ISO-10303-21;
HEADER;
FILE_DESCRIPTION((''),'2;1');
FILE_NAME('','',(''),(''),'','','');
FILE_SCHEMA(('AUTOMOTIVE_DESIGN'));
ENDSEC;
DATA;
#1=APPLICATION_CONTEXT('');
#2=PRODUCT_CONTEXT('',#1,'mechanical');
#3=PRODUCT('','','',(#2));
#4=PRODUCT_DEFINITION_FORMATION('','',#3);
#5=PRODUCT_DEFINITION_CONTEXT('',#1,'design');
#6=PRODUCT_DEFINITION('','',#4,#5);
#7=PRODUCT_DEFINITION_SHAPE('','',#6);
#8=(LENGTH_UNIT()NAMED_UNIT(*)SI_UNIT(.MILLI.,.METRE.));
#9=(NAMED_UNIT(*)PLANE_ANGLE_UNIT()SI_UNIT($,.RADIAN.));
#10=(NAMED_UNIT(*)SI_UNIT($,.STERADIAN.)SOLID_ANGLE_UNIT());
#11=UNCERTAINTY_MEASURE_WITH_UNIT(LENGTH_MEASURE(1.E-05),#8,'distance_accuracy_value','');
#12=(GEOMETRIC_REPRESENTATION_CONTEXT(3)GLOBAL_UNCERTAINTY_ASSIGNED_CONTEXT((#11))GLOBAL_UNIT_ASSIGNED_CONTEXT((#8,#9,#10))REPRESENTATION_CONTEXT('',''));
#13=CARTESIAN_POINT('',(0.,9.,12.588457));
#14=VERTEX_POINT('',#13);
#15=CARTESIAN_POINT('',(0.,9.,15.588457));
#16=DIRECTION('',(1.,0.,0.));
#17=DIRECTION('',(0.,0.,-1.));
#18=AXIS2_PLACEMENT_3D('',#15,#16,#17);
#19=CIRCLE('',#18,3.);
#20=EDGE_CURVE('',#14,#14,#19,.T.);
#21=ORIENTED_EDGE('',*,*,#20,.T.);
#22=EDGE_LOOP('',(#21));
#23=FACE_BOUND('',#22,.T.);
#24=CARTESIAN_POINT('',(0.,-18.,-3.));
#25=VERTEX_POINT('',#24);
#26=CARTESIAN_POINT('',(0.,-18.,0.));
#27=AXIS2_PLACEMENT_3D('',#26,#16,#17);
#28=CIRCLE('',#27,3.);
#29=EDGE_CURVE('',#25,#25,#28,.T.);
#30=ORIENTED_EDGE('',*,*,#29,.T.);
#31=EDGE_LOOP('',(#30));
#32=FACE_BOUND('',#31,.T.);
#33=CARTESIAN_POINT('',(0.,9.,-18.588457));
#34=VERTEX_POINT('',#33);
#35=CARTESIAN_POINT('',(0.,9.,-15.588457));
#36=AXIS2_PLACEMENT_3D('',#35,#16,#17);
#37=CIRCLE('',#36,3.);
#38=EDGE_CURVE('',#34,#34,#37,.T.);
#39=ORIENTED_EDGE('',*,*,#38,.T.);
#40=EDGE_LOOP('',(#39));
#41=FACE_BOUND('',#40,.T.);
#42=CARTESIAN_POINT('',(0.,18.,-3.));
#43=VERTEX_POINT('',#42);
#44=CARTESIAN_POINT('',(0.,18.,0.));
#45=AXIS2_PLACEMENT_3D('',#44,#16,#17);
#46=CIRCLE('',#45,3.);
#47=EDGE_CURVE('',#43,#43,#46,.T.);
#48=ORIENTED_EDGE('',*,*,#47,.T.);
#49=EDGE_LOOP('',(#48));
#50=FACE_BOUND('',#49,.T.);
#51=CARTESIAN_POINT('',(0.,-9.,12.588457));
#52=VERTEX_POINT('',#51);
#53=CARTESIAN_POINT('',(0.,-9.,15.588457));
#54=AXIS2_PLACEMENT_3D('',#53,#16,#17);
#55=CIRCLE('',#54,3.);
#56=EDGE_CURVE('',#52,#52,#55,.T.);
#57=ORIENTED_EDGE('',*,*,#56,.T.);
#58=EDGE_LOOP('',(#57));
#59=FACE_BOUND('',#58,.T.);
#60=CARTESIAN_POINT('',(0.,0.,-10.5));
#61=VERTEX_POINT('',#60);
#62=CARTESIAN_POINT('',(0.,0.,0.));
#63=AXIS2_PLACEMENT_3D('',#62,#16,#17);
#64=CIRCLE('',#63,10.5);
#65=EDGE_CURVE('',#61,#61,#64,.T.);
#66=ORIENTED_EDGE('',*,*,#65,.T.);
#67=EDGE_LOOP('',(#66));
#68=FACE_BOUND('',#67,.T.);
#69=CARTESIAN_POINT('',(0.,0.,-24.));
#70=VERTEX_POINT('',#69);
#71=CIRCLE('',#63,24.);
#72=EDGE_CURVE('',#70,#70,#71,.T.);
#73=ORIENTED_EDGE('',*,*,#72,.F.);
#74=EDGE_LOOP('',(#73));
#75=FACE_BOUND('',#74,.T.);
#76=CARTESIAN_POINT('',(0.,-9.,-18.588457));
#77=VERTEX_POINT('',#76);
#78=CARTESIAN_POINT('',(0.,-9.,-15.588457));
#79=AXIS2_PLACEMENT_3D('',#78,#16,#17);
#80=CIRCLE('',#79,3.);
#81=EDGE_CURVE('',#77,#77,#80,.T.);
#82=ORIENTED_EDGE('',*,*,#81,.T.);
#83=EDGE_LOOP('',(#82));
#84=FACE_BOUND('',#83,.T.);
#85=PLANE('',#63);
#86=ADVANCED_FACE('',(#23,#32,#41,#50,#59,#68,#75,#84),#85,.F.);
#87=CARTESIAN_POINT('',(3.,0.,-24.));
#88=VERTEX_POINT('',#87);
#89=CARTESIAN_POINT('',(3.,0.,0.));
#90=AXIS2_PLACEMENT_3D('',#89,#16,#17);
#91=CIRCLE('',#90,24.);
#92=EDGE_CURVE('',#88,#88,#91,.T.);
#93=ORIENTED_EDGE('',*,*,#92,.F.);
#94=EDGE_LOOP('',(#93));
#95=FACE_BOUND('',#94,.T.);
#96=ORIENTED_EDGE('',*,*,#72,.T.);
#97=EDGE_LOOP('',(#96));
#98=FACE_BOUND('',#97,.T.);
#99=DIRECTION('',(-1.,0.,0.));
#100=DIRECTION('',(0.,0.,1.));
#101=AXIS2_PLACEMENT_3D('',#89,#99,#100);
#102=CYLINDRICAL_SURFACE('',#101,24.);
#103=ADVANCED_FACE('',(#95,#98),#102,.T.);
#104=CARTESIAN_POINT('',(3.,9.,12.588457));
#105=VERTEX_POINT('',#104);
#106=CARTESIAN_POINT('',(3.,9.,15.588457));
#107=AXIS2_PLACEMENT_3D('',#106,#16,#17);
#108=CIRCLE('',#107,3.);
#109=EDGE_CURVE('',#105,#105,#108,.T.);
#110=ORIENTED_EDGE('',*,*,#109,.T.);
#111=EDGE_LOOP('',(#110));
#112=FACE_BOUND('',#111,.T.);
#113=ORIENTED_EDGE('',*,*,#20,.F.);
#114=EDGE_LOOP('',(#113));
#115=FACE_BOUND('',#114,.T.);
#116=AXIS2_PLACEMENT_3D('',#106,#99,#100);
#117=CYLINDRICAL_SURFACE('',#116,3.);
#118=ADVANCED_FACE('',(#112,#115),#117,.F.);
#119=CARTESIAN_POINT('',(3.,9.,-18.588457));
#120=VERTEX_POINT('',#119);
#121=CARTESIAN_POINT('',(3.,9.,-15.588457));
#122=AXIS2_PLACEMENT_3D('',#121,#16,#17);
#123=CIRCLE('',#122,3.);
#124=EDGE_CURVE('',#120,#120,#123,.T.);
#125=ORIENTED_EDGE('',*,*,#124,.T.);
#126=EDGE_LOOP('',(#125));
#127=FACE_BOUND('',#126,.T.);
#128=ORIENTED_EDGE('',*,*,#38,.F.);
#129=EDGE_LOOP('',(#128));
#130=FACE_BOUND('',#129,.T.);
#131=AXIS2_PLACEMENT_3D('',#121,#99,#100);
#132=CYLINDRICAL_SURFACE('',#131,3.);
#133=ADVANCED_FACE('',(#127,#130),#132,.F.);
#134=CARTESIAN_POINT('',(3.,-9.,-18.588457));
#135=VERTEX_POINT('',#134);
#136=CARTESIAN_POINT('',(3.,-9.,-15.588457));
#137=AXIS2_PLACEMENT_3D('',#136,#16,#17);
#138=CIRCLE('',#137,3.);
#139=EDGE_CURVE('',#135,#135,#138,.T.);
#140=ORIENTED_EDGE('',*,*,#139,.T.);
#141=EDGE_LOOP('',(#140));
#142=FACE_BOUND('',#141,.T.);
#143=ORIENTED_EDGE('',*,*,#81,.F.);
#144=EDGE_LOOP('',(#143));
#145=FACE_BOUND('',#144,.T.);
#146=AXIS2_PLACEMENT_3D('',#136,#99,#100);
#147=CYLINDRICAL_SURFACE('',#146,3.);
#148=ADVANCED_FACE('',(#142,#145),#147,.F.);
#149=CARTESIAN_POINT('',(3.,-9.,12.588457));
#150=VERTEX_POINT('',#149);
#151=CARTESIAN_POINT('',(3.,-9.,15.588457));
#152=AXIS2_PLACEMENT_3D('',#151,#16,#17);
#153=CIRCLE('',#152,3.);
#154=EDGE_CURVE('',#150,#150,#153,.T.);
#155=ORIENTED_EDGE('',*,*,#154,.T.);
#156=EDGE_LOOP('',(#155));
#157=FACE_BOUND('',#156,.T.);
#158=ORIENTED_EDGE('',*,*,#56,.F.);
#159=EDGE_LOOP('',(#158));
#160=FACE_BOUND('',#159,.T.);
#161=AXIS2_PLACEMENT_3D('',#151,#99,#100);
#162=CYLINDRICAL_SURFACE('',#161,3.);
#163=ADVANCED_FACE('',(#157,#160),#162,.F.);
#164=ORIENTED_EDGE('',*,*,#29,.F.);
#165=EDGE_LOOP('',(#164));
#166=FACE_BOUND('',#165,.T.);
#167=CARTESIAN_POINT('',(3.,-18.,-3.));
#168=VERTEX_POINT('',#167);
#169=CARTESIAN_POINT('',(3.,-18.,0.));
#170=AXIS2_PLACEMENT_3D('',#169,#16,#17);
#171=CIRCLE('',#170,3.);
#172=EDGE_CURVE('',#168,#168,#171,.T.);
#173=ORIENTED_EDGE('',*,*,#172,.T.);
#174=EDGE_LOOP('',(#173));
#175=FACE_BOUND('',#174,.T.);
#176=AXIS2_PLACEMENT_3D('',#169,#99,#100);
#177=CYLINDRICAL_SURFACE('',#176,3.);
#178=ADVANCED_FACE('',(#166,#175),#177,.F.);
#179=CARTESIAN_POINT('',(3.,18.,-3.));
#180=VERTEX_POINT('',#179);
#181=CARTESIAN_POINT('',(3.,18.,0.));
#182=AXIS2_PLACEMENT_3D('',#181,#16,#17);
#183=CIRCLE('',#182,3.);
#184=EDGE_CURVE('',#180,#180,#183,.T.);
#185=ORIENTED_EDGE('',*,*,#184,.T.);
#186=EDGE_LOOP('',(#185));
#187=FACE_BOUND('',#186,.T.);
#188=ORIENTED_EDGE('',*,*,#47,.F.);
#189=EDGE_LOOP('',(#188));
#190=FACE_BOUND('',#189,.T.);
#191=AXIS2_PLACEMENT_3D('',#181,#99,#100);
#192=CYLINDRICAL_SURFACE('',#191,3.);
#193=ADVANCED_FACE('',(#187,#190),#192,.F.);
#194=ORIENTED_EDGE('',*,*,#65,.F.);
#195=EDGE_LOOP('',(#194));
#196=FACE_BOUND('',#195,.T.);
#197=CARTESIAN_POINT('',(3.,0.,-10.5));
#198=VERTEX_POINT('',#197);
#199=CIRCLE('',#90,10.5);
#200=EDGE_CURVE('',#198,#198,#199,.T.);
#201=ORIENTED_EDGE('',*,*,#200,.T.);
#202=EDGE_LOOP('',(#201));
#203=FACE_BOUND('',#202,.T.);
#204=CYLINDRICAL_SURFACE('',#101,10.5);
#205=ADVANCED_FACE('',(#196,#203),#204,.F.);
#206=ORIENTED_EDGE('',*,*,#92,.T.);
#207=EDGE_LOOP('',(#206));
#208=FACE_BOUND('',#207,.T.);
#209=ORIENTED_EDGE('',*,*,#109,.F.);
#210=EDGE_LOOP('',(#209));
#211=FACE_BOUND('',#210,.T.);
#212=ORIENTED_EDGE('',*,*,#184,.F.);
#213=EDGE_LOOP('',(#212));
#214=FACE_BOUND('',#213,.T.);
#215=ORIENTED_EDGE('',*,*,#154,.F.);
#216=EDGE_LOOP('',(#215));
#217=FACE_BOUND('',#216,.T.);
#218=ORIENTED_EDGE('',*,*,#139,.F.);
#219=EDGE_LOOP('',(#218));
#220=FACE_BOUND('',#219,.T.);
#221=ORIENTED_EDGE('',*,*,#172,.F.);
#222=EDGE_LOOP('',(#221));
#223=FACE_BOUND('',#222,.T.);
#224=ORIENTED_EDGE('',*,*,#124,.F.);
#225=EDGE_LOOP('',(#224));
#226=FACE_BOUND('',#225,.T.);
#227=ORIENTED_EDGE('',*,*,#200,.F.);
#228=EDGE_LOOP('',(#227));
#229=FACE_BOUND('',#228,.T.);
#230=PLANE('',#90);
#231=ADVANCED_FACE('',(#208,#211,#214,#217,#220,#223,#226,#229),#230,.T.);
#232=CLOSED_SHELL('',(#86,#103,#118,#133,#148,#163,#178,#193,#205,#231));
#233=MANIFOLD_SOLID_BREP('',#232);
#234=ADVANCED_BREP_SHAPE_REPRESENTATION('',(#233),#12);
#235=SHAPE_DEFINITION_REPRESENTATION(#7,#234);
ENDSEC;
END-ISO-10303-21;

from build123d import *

# Parameters (mm, degrees)
SKETCH_1_R      = 24
SKETCH_1_R_2    = 10.5
SKETCH_1_R_3    = 3
EXTRUDE_1_DEPTH = 3


with BuildPart() as part:
    # 草图1 → 凸台-拉伸1 (new body)
    with BuildSketch(Plane(origin=(0, 0, 0), x_dir=(0, 0, -1), z_dir=(1, 0, 0))):
        Circle(SKETCH_1_R)
        Circle(SKETCH_1_R_2, mode=Mode.SUBTRACT)
        with Locations((-15.588457268, 9)):
            Circle(SKETCH_1_R_3, mode=Mode.SUBTRACT)
        with Locations((0, 18)):
            Circle(SKETCH_1_R_3, mode=Mode.SUBTRACT)
        with Locations((15.588457268, 9)):
            Circle(SKETCH_1_R_3, mode=Mode.SUBTRACT)
        with Locations((15.588457268, -9)):
            Circle(SKETCH_1_R_3, mode=Mode.SUBTRACT)
        with Locations((0, -18)):
            Circle(SKETCH_1_R_3, mode=Mode.SUBTRACT)
        with Locations((-15.588457268, -9)):
            Circle(SKETCH_1_R_3, mode=Mode.SUBTRACT)
    extrude(amount=EXTRUDE_1_DEPTH)


solid = part.part
